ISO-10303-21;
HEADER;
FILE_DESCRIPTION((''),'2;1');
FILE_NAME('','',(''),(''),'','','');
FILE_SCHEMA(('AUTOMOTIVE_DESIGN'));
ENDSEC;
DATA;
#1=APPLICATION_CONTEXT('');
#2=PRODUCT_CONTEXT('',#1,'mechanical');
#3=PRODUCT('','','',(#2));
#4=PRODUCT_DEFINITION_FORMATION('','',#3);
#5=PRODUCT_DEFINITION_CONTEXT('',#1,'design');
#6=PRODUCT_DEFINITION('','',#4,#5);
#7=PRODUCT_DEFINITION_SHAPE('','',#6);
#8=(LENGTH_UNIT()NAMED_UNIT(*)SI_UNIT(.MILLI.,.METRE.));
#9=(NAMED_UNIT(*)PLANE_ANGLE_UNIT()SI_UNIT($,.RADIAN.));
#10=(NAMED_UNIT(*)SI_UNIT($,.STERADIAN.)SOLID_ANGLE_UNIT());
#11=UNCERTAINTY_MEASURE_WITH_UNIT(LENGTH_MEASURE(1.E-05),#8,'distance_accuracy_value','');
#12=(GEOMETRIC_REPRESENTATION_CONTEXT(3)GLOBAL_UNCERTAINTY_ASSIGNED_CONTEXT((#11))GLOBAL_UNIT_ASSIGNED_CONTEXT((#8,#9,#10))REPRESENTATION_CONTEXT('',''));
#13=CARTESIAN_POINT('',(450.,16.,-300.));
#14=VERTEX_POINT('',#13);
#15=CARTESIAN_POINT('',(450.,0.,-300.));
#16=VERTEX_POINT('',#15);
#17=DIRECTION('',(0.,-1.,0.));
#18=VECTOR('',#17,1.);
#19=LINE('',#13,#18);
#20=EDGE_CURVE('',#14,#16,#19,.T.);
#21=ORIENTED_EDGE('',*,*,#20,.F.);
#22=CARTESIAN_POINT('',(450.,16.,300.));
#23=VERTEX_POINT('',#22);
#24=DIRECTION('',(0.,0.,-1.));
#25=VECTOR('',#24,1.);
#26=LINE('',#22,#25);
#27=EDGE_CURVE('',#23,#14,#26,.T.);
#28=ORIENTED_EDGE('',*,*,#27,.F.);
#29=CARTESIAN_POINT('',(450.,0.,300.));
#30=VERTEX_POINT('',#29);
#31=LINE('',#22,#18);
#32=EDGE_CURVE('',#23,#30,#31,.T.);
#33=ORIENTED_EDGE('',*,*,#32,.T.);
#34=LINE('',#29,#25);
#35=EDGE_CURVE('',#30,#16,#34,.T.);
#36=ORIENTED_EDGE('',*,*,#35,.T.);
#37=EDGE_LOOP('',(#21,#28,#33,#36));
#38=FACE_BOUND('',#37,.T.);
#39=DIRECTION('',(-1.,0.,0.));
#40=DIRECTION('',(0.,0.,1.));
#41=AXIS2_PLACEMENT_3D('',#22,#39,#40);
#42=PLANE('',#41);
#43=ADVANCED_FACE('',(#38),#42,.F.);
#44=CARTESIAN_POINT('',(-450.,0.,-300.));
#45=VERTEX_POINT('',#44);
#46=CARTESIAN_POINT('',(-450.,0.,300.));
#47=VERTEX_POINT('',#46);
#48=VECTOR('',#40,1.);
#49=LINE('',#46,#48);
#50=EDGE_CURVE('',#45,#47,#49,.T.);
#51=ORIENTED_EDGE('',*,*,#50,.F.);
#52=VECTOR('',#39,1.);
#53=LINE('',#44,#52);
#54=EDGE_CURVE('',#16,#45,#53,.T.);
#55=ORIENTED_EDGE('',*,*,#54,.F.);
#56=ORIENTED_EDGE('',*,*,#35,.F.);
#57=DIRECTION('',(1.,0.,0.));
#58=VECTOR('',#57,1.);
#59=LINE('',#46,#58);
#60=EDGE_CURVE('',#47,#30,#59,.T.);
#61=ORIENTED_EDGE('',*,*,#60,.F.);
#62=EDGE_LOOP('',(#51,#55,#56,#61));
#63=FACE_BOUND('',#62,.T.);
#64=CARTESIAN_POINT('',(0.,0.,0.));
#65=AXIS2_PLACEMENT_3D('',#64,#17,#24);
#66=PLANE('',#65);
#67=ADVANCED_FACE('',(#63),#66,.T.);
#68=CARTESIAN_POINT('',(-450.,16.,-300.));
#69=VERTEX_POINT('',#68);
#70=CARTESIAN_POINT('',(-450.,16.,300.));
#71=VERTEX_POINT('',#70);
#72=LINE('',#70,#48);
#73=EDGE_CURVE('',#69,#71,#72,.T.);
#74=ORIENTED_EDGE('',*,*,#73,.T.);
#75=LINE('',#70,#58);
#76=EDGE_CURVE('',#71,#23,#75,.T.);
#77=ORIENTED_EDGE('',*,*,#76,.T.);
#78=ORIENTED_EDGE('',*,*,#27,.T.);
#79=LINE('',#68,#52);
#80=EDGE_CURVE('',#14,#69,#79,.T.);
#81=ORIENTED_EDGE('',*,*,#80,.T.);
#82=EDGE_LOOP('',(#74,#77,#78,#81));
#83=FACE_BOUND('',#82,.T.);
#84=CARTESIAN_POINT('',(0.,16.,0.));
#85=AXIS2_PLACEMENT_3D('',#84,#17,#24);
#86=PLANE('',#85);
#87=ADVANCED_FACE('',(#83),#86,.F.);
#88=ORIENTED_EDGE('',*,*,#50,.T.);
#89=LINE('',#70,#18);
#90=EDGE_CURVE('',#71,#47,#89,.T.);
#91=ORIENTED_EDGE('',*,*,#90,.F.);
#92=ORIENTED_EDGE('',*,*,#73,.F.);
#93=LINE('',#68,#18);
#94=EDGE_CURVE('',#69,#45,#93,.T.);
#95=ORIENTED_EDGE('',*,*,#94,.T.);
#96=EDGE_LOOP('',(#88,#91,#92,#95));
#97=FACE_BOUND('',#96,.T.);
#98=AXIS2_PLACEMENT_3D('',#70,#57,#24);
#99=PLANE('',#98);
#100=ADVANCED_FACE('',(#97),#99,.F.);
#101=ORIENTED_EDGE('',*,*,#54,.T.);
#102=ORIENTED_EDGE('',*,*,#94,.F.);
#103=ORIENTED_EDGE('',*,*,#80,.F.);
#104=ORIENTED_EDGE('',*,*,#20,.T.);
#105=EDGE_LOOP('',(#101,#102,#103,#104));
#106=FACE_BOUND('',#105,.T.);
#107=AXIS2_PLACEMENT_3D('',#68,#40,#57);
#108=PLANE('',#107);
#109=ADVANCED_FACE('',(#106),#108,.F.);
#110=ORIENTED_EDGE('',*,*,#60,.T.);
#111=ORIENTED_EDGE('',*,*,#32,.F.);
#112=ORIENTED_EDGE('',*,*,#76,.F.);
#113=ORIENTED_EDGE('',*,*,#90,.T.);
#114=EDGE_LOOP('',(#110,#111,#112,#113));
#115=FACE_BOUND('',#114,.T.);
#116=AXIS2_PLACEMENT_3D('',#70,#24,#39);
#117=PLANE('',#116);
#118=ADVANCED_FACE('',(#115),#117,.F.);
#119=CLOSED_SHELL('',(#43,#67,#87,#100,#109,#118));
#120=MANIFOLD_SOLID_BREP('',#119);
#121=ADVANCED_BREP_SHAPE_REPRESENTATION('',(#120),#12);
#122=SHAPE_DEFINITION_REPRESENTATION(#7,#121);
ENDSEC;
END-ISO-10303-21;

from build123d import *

# Parameters (mm, degrees)
SKETCH1_W           = 900
SKETCH1_H           = 600
BOSS_EXTRUDE1_DEPTH = 16


with BuildPart() as part:
    # Sketch1 → Boss-Extrude1 (new body)
    with BuildSketch(Plane(origin=(0, 0, 0), x_dir=(1, 0, 0), z_dir=(0, 1, 0))):
        Rectangle(SKETCH1_W, SKETCH1_H)
    extrude(amount=BOSS_EXTRUDE1_DEPTH)


solid = part.part
